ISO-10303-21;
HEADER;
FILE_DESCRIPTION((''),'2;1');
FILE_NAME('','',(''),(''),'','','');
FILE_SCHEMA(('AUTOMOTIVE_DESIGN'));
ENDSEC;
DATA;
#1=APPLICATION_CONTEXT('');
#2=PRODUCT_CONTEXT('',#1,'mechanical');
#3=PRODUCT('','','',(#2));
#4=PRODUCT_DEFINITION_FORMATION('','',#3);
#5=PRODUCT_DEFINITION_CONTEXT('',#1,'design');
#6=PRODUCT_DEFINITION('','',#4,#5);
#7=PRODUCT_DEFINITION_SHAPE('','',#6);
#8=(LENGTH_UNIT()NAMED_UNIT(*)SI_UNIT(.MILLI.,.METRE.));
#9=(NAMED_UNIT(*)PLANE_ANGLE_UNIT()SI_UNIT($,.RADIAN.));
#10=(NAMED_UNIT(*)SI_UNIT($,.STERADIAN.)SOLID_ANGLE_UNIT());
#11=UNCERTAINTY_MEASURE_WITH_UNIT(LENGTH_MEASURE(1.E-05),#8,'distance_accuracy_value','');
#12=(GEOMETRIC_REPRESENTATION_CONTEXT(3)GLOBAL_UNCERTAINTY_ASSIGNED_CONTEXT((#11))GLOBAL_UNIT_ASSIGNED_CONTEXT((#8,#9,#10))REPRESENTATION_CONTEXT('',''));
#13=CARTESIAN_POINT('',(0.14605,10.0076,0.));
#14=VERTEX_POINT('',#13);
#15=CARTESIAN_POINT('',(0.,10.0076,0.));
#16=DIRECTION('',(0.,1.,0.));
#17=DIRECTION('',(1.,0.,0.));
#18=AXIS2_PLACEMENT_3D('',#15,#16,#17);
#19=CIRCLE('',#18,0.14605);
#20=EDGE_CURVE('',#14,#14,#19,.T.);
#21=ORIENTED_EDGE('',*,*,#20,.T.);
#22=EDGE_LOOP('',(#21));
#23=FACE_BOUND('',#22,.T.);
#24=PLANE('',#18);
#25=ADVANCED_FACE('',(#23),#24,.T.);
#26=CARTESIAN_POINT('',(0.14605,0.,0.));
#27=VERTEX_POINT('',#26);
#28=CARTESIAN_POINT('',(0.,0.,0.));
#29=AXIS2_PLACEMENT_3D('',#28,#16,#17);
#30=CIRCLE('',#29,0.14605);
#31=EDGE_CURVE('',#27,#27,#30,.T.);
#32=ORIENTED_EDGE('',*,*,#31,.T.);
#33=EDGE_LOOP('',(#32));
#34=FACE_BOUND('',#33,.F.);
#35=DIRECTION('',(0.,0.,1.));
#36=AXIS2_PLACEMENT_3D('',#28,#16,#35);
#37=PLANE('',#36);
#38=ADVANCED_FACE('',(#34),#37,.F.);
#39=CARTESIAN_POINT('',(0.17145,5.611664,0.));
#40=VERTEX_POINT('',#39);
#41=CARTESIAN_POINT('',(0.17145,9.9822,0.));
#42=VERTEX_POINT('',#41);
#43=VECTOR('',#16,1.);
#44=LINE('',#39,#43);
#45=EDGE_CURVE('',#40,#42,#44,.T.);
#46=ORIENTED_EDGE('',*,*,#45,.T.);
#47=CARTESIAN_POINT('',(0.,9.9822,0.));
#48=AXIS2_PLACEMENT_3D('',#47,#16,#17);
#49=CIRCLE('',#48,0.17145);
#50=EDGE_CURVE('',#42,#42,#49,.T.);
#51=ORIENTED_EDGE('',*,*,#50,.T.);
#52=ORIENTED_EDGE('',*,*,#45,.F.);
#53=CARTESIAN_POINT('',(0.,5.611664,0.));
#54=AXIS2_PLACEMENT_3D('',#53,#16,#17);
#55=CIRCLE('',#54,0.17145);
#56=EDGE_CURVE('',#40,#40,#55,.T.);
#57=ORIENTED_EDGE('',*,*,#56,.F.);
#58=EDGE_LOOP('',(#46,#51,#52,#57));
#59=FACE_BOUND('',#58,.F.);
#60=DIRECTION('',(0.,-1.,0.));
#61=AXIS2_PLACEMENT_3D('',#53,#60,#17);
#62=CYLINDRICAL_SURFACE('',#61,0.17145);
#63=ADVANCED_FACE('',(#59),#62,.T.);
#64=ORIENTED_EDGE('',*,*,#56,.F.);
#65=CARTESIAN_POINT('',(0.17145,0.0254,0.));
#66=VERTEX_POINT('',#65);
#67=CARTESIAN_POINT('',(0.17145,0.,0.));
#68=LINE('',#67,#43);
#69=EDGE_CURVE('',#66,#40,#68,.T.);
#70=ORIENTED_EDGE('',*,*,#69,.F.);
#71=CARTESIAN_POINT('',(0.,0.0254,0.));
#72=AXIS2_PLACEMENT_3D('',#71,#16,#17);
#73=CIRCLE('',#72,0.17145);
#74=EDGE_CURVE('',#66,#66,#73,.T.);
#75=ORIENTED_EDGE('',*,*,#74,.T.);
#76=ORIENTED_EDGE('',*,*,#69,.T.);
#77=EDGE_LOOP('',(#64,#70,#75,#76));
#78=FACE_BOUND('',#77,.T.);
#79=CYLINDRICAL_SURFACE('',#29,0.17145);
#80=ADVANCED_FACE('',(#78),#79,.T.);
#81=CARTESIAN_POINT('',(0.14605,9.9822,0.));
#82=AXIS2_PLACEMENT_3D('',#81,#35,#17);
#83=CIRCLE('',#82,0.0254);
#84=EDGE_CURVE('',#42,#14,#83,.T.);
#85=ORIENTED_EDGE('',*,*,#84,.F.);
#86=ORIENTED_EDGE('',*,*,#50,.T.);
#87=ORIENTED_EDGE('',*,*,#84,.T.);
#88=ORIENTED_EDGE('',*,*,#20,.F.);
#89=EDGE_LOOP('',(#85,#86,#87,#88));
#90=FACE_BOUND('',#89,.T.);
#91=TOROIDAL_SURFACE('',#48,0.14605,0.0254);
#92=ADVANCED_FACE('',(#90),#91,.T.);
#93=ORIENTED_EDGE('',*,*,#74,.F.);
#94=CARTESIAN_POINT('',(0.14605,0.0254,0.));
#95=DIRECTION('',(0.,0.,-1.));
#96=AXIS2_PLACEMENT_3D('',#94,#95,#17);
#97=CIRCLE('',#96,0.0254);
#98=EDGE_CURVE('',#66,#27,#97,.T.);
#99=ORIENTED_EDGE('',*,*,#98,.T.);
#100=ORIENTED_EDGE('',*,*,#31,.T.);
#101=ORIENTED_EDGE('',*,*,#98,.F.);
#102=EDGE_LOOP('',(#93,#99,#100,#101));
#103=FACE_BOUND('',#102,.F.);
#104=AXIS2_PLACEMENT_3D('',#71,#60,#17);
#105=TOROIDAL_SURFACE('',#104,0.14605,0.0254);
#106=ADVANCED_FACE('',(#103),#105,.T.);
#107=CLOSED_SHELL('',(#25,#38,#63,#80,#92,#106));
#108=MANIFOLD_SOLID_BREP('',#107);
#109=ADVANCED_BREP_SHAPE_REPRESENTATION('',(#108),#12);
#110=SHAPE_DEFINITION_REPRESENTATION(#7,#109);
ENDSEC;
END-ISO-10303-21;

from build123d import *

# Parameters (mm, degrees)
SKETCH1_R           = 0.17145
FILLET1_R           = 0.0254
SKETCH3_W           = 2.124849291
SKETCH3_H           = 3.867225708
CUT_EXTRUDE1_DEPTH  = 1.27
SKETCH4_R           = 0.17145
BOSS_EXTRUDE1_DEPTH = 4.395936
FILLET2_R           = 0.0254


with BuildPart() as part:
    # Sweep1: sweep along a path in Sketch2
    with BuildLine(Plane.XY) as sweep1_path:
        Line((0, 0), (0, 6.582609755))
        ThreePointArc((0, 6.582609755), (0.019334599, 6.679811347), (0.074394878, 6.762214878))
        Line((0.074394878, 6.762214878), (0.433605122, 7.121425122))
        ThreePointArc((0.433605122, 7.121425122), (0.488665401, 7.203828653), (0.508, 7.301030245))
        Line((0.508, 7.301030245), (0.508, 8.41852666))
    # Sketch1 → Sweep1 (sweep)
    with BuildSketch(Plane(origin=(0, 0, 0), x_dir=(1, 0, 0), z_dir=(0, 1, 0))):
        Circle(SKETCH1_R)
    sweep(path=sweep1_path.line)

    # Fillet1
    fillet1_edges = [part.edges().sort_by_distance(p)[0] for p in [
        (-0.17145, 0, 0),
        (0.33655, 8.41852666, 0),
    ]]
    fillet(fillet1_edges, radius=FILLET1_R)

    # Sketch3 → Cut-Extrude1 (cut, symmetric)
    with BuildSketch(Plane.XY):
        with Locations((0.147757535, 7.545276716)):
            Rectangle(SKETCH3_W, SKETCH3_H)
    extrude(amount=CUT_EXTRUDE1_DEPTH, both=True, mode=Mode.SUBTRACT)

    # Sketch4 → Boss-Extrude1 (add)
    with BuildSketch(Plane(origin=(0, 5.611663862, 0), x_dir=(1, 0, 0), z_dir=(0, 1, 0))):
        Circle(SKETCH4_R)
    extrude(amount=BOSS_EXTRUDE1_DEPTH)

    # Fillet2
    fillet2_edges = [part.edges().sort_by_distance(p)[0] for p in [
        (-0.17145, 10.007599862, 0),
    ]]
    fillet(fillet2_edges, radius=FILLET2_R)


solid = part.part
